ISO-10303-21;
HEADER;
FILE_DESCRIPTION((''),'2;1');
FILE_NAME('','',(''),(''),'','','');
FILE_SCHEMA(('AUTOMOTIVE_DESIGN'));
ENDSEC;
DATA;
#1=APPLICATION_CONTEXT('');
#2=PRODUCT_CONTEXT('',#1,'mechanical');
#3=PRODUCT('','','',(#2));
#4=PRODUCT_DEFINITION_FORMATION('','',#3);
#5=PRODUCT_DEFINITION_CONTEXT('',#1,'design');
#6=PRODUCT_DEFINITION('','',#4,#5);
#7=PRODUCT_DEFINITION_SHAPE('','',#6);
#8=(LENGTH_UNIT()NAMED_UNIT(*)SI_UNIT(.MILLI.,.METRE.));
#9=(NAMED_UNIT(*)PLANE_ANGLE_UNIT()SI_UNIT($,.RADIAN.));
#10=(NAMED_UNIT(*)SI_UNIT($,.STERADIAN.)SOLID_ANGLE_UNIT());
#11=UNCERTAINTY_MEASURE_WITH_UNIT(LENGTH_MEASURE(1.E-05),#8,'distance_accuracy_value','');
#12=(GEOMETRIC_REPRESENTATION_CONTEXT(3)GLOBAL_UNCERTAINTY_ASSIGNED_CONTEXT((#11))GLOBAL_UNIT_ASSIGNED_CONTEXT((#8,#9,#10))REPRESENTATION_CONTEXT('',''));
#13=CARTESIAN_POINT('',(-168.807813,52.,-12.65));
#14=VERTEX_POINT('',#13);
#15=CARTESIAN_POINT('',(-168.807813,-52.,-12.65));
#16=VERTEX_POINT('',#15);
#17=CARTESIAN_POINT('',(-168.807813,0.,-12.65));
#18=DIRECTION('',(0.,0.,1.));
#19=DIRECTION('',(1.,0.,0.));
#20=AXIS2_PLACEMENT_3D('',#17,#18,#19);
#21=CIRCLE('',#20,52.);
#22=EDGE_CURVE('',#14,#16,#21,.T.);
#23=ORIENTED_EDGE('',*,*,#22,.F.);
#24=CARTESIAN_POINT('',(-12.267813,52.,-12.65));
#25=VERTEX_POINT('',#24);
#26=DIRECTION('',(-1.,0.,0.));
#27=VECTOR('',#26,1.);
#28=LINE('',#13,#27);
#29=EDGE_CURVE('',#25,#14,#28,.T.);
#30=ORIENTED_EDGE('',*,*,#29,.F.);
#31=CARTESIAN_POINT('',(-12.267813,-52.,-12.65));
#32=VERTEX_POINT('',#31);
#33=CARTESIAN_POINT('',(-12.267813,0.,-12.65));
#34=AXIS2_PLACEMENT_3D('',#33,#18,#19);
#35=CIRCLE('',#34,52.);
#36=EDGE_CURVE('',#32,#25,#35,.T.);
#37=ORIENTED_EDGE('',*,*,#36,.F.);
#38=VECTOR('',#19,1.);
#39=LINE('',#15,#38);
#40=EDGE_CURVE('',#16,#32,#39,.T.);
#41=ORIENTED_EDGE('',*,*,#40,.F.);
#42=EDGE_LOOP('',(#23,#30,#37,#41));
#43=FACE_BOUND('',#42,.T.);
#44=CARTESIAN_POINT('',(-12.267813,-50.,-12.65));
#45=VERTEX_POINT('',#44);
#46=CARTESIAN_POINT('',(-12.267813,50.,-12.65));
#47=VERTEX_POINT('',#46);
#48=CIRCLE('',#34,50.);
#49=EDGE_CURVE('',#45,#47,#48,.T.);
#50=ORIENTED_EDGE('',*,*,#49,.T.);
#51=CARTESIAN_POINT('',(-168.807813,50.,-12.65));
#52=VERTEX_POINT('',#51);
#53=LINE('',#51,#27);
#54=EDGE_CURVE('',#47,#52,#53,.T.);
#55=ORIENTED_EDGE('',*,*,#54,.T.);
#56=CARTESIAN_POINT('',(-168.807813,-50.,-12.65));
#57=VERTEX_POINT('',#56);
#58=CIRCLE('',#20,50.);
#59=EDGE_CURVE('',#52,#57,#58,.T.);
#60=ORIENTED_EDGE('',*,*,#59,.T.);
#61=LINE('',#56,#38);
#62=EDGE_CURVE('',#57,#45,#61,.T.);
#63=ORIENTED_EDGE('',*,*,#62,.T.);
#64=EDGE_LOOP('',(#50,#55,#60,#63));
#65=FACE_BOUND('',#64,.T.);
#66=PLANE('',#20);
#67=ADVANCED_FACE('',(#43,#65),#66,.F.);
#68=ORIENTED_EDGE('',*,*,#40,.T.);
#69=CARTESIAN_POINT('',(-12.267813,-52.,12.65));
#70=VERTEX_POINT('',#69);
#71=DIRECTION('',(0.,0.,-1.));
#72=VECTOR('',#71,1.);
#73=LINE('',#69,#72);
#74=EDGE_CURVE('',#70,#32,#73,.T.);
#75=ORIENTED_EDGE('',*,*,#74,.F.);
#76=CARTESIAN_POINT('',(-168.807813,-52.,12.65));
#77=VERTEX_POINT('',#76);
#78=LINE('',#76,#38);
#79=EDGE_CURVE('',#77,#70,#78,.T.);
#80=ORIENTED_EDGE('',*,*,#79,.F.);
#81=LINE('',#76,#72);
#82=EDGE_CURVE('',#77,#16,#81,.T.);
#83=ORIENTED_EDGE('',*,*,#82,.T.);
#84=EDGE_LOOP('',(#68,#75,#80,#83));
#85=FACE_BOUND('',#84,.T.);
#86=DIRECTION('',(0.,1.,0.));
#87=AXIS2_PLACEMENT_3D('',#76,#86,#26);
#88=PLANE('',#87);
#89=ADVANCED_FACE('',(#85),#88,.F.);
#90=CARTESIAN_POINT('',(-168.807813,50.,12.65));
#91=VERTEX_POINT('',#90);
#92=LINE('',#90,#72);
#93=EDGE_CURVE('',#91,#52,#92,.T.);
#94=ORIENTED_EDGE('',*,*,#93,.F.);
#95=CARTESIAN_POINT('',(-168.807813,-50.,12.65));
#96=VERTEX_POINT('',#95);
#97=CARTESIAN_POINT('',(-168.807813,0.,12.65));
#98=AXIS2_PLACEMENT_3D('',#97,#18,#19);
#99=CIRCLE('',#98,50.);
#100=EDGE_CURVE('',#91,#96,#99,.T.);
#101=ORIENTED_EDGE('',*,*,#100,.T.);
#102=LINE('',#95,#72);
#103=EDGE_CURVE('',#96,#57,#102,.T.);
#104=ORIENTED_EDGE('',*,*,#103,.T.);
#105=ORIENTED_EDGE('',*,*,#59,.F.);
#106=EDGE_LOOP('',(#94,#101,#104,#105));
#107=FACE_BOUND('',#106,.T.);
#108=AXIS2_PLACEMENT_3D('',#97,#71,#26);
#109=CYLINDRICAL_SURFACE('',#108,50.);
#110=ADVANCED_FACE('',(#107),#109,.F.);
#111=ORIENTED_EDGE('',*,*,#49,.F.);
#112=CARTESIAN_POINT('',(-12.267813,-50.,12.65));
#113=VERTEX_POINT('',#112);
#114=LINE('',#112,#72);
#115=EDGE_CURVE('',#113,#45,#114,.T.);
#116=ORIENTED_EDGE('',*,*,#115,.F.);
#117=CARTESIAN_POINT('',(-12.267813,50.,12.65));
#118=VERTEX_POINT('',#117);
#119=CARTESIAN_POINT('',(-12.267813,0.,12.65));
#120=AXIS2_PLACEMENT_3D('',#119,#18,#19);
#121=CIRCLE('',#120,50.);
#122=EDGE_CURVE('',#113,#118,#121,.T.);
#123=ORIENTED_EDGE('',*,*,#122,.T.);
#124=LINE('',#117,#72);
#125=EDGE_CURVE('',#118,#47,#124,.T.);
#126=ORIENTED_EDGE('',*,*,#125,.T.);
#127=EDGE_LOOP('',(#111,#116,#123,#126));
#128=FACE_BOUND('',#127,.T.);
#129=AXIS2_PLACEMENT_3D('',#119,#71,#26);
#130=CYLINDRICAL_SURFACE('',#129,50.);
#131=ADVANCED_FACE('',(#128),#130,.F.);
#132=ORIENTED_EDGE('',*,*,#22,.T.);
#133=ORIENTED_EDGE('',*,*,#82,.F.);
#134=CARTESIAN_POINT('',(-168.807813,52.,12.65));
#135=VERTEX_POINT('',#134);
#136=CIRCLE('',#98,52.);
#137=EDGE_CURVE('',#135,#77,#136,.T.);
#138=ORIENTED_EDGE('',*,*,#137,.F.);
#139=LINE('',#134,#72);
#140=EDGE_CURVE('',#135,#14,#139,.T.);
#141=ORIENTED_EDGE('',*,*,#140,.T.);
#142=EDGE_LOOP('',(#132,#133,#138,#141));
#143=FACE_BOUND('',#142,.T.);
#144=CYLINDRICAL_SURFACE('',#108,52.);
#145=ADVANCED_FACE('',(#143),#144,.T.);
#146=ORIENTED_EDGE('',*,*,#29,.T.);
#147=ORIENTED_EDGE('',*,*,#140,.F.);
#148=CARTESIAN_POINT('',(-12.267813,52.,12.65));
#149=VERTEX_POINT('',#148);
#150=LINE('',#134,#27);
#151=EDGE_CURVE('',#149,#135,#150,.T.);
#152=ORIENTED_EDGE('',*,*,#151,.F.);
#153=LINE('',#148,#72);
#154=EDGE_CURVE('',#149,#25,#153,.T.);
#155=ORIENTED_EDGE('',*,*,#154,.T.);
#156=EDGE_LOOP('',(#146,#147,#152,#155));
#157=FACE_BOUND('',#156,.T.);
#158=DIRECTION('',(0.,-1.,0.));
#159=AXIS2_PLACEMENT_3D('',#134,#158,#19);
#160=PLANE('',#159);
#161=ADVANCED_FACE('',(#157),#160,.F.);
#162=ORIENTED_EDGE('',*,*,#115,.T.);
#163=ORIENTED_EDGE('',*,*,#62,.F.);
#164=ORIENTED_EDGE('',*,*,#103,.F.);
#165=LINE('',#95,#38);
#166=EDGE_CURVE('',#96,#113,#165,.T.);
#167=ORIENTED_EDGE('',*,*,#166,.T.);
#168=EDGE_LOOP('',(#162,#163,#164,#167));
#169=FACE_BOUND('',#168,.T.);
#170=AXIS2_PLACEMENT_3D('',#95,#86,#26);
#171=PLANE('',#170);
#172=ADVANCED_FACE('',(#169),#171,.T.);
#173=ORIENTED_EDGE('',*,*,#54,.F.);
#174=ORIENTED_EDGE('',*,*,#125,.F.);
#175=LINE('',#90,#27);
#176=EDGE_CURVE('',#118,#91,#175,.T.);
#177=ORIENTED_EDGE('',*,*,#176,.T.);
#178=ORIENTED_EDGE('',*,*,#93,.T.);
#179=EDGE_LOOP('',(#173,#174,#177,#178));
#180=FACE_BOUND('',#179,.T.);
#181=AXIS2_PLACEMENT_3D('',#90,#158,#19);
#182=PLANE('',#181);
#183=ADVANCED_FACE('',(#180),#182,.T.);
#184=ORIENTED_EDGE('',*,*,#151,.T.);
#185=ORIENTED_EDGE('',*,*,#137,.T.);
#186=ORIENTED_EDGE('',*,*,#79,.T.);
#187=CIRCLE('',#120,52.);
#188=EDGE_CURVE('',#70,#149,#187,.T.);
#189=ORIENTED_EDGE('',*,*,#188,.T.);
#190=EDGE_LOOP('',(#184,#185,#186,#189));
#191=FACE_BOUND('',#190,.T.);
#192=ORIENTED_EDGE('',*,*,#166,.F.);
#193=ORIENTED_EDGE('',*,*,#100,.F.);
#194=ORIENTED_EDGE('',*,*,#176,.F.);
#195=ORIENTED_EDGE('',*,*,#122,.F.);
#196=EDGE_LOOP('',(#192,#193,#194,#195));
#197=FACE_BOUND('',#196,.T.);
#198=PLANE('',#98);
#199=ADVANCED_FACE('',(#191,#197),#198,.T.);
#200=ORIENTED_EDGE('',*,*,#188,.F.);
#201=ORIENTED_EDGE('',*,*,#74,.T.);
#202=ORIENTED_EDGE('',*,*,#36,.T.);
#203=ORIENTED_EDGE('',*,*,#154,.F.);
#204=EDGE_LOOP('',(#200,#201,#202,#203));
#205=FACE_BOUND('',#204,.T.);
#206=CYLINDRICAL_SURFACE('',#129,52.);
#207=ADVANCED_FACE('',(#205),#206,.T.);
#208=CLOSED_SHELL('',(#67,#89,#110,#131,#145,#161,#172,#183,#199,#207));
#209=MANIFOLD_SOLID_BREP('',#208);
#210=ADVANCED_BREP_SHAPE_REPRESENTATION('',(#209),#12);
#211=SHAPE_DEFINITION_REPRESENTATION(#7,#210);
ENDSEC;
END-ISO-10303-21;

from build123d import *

# Parameters (mm, degrees)
BOSS_EXTRUDE1_DEPTH = 12.65


with BuildPart() as part:
    # Sketch2 → Boss-Extrude1 (new, symmetric)
    with BuildSketch(Plane.XY):
        with BuildLine():
            Line((-168.807812834, 52), (-12.267812834, 52))
            ThreePointArc((-12.267812834, 52), (39.732187166, 0), (-12.267812834, -52))
            Line((-12.267812834, -52), (-168.807812834, -52))
            ThreePointArc((-168.807812834, -52), (-220.807812834, 0), (-168.807812834, 52))
        make_face()
        with BuildLine():
            Line((-168.807812834, 50), (-12.267812834, 50))
            ThreePointArc((-12.267812834, 50), (37.732187166, 0), (-12.267812834, -50))
            Line((-12.267812834, -50), (-168.807812834, -50))
            ThreePointArc((-168.807812834, -50), (-218.807812834, 0), (-168.807812834, 50))
        make_face(mode=Mode.SUBTRACT)
    extrude(amount=BOSS_EXTRUDE1_DEPTH, both=True)


solid = part.part
